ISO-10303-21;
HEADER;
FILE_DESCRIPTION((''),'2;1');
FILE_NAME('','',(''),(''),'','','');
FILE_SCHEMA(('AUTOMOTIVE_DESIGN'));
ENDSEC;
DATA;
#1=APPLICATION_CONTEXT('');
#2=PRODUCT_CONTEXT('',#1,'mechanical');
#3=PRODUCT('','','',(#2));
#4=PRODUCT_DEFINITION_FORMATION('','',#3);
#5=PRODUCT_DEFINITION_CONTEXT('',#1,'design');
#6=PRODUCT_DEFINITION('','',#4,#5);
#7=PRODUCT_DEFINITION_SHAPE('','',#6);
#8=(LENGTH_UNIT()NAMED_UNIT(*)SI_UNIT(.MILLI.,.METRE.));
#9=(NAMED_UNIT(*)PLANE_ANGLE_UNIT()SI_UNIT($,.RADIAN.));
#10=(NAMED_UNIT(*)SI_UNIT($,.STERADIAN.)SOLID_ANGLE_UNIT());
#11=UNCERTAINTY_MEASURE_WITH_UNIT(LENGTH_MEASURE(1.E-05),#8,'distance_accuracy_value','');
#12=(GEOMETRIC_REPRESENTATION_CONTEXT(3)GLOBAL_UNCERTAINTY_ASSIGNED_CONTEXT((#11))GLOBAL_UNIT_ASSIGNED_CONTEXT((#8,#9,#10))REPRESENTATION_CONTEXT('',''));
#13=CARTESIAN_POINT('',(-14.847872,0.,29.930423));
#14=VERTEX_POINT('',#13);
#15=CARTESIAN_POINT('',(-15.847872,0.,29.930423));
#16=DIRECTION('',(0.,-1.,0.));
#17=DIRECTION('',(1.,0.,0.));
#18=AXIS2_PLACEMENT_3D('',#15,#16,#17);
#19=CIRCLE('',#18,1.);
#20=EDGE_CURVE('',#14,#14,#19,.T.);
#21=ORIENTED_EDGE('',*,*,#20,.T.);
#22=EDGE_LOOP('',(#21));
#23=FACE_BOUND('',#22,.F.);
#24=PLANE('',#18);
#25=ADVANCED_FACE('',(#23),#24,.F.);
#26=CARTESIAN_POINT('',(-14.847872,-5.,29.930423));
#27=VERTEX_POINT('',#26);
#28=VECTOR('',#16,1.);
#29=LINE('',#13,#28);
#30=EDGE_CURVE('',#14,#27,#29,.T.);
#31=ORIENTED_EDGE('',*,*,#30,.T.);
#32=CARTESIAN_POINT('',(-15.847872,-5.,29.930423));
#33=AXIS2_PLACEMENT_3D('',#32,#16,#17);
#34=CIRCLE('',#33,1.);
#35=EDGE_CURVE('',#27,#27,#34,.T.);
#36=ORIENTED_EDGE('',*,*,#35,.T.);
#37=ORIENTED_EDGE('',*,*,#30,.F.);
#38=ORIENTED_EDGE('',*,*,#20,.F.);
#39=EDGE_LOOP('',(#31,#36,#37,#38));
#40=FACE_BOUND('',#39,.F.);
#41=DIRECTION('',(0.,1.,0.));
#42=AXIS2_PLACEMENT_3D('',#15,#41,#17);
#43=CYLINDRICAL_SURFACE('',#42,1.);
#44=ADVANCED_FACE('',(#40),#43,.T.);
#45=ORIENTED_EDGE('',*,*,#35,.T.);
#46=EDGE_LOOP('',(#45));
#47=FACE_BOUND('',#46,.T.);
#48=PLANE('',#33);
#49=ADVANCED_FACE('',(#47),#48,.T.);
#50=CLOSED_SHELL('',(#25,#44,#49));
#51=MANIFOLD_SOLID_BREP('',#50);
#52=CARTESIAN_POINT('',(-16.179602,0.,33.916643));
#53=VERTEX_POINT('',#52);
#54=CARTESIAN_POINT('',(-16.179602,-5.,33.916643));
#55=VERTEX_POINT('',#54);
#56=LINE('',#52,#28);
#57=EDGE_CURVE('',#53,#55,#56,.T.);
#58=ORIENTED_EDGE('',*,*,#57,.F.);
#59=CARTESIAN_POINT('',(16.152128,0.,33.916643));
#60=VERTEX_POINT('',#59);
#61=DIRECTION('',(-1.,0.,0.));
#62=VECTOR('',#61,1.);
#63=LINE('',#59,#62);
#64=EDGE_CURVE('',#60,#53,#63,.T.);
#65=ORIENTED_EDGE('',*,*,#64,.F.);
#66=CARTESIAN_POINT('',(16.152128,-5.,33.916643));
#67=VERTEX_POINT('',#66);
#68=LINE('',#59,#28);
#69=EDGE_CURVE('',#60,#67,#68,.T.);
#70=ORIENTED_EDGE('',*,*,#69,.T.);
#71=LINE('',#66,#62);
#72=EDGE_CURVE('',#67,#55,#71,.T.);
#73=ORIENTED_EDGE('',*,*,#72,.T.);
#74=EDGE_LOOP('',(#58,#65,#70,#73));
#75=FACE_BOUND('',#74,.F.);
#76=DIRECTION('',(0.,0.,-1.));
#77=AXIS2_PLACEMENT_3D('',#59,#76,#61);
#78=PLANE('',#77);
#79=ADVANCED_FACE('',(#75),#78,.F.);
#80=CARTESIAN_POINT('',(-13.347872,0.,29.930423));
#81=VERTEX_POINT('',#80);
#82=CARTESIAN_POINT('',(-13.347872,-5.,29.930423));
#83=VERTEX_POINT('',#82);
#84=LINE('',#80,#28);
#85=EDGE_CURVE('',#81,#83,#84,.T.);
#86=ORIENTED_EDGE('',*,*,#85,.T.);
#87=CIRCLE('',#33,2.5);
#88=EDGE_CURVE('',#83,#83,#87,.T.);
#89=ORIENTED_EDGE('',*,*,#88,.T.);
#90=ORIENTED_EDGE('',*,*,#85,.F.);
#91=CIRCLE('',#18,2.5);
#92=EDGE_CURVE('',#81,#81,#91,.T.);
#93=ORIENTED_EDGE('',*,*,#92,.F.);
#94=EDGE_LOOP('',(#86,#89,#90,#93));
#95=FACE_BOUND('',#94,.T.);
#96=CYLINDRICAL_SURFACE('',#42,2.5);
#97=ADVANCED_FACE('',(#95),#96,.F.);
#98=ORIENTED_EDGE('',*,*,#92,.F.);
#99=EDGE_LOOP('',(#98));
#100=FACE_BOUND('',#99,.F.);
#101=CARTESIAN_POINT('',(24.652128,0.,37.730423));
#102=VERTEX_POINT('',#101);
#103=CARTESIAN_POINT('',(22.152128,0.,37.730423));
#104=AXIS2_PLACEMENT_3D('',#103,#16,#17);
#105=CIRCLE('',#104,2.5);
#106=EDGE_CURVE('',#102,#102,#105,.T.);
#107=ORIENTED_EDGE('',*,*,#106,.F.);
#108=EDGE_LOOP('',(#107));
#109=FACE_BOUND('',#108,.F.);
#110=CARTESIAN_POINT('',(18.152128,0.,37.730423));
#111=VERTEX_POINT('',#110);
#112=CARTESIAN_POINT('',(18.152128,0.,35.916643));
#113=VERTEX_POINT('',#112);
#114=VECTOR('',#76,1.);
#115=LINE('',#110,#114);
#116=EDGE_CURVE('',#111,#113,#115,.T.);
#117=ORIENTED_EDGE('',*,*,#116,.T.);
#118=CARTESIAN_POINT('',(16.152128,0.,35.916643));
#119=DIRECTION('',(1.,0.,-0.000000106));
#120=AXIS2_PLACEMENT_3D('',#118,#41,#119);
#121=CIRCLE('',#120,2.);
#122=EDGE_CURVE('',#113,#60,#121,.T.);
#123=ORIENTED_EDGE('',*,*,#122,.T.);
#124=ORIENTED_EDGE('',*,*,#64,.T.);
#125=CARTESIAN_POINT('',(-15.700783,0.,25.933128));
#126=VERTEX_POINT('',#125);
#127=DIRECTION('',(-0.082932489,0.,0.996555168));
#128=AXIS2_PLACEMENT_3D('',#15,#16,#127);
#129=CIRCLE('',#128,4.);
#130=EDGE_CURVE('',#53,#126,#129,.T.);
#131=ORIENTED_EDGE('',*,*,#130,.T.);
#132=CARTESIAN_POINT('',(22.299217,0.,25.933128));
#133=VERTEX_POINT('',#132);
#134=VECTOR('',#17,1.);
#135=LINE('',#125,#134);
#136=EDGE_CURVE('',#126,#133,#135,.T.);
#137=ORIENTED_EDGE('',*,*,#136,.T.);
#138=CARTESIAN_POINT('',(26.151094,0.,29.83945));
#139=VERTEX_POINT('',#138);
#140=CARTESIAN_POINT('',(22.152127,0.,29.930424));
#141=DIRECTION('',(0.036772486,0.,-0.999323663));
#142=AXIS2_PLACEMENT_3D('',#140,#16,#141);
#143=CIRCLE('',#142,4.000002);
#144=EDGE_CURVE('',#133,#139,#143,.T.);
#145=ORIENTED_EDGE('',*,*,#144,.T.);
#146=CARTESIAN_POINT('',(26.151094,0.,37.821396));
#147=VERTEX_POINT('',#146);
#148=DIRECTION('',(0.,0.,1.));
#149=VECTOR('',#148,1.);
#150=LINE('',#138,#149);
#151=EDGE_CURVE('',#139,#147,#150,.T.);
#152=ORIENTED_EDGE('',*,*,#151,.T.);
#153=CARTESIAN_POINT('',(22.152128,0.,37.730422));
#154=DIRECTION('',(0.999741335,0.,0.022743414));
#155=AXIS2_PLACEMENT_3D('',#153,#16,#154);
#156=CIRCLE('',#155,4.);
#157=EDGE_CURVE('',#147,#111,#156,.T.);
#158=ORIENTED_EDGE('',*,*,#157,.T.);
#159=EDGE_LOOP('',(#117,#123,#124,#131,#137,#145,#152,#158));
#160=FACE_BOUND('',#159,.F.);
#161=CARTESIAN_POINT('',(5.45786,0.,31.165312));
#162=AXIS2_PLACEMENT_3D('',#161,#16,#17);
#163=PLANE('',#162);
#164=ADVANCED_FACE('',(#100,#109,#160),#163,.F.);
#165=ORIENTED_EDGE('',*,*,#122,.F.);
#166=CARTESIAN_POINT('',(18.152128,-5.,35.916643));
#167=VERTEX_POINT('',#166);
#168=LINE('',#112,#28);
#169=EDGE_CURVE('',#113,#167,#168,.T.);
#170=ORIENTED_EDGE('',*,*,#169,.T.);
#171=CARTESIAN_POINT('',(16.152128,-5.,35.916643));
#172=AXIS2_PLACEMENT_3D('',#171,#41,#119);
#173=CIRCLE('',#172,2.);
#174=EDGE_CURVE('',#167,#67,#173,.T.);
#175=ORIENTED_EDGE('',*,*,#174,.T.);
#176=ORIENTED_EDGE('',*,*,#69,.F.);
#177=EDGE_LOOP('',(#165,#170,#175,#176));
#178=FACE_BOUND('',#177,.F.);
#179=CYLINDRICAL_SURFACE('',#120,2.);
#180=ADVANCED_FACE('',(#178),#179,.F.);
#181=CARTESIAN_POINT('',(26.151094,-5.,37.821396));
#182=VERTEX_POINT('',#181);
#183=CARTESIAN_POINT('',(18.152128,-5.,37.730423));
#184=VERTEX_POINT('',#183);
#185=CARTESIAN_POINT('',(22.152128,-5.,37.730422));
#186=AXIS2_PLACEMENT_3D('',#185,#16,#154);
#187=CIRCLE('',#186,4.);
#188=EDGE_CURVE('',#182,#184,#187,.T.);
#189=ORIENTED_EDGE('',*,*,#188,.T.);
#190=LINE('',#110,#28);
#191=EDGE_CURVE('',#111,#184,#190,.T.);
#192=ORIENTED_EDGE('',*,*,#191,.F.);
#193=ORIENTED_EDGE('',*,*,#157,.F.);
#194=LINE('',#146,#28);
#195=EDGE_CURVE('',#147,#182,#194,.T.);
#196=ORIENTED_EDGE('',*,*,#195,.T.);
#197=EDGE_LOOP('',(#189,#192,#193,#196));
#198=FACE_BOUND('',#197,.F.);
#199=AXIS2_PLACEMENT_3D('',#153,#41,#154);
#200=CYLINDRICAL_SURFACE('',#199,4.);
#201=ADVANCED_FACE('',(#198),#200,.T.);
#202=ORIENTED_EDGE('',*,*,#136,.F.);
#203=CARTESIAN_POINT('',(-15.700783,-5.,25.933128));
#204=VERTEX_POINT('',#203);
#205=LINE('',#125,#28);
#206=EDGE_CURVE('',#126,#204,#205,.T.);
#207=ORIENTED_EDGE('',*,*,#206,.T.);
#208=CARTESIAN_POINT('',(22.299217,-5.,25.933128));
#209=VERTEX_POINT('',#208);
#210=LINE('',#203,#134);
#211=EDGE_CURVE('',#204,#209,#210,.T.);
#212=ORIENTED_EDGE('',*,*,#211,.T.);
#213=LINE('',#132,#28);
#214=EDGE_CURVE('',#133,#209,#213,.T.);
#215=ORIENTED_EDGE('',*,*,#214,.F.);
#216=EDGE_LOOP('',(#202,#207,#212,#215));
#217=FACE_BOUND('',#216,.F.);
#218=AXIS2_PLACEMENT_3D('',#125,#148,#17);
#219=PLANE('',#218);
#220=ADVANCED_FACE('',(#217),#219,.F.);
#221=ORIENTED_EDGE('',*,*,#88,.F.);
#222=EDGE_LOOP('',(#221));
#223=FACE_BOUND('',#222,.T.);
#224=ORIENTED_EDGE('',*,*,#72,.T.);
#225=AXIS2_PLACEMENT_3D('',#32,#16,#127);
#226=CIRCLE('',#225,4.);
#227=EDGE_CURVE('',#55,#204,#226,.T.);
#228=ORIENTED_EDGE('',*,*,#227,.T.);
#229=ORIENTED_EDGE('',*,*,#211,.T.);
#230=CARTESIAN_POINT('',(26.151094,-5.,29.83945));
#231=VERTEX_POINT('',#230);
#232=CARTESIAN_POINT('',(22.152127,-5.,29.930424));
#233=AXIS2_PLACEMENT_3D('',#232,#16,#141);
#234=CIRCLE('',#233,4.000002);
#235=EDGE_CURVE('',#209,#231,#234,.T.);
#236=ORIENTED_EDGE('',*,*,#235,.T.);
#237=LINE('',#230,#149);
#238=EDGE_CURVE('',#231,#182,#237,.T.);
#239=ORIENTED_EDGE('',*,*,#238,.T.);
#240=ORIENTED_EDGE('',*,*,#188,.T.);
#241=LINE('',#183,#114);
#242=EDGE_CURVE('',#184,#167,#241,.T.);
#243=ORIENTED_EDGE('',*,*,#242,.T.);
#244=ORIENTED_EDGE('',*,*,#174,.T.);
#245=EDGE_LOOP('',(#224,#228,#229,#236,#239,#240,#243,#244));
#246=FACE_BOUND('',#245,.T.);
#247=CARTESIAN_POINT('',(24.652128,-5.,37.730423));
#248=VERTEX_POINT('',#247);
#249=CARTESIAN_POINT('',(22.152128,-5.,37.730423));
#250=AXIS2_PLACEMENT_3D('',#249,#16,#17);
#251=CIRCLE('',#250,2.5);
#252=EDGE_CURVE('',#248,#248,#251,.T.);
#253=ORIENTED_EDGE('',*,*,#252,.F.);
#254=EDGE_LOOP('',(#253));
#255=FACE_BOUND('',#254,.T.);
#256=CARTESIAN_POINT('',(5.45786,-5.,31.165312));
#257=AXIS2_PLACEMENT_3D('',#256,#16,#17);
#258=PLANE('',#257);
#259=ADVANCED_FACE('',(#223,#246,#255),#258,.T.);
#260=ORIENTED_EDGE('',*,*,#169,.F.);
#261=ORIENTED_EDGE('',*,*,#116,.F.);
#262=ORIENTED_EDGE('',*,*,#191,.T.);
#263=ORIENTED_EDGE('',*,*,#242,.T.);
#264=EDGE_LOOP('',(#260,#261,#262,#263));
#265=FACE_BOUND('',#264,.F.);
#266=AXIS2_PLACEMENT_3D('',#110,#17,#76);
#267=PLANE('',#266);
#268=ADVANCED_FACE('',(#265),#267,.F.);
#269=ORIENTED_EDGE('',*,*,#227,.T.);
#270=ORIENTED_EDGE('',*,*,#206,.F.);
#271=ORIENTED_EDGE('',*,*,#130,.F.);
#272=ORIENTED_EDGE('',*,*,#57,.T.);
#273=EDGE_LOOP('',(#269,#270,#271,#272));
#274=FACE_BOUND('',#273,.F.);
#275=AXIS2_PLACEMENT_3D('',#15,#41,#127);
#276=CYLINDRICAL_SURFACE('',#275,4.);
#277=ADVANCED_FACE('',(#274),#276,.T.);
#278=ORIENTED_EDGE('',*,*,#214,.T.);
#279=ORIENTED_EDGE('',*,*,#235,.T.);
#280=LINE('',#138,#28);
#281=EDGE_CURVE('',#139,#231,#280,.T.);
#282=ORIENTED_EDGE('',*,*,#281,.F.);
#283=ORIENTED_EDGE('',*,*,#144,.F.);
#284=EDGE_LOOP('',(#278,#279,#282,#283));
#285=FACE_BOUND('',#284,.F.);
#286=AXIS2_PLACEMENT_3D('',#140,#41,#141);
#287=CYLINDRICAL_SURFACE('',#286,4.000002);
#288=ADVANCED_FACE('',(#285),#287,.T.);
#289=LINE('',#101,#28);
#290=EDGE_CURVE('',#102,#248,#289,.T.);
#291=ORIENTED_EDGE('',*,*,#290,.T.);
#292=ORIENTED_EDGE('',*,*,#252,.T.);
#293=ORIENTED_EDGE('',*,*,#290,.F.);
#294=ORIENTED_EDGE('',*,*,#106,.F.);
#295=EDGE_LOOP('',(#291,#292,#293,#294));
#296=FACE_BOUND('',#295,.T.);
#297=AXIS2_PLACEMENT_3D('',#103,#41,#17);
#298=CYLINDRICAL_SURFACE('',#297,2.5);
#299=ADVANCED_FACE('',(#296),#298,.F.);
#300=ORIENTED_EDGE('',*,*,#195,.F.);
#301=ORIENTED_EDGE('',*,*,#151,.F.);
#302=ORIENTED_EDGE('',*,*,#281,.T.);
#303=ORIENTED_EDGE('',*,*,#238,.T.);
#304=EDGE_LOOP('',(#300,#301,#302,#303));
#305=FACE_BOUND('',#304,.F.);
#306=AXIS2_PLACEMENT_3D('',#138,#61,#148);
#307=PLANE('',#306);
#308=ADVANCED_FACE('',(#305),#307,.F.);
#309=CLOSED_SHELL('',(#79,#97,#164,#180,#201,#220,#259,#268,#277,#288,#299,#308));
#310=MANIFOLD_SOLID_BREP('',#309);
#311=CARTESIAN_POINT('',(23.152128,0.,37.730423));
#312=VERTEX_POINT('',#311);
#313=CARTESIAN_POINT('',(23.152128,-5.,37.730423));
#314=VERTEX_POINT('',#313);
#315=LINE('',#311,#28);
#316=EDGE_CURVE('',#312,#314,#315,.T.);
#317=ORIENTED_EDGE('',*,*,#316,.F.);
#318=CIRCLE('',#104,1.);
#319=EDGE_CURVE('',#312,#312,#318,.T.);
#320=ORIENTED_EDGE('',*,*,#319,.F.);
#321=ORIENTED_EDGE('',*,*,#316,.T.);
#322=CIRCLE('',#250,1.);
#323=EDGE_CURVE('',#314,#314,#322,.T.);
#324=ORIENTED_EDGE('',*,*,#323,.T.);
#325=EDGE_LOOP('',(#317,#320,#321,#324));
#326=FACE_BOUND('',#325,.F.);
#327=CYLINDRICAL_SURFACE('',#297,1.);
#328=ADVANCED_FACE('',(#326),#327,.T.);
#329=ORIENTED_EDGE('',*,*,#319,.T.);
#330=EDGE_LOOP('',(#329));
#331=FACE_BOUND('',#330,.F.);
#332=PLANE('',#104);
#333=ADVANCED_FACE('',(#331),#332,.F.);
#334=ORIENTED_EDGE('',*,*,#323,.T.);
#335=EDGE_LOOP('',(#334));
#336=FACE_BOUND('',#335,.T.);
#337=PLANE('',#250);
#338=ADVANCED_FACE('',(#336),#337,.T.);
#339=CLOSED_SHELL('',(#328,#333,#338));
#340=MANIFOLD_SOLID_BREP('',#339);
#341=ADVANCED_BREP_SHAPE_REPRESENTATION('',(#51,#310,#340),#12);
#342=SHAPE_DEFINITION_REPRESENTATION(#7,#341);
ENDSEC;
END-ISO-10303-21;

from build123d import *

# Parameters (mm, degrees)
F0_R     = 2.5
F1_DEPTH = 5
F0_R_2   = 1
F2_DEPTH = 5


with BuildPart() as f1:
    # F0 (on Front) → F1 (new body)
    with BuildSketch(Plane.XZ):
        with BuildLine():
            Line((16.152128, 33.916643), (-15.516141, 33.916643))
            Line((-15.516141, 33.916643), (-16.179602, 33.916643))
            ThreePointArc((-16.179602, 33.916643), (-19.840697, 29.690949), (-15.700783, 25.933128))
            Line((-15.700783, 25.933128), (22.005039, 25.933128))
            Line((22.005039, 25.933128), (22.299217, 25.933128))
            ThreePointArc((22.299217, 25.933128), (25.000334, 27.121914), (26.151094, 29.83945))
            Line((26.151094, 29.83945), (26.151094, 30.021396))
            Line((26.151094, 30.021396), (26.151094, 37.63945))
            Line((26.151094, 37.63945), (26.151094, 37.821396))
            ThreePointArc((26.151094, 37.821396), (22.106639, 41.730164), (18.152128, 37.730423))
            Line((18.152128, 37.730423), (18.152128, 35.916643))
            ThreePointArc((18.152128, 35.916643), (17.566342, 34.50243), (16.152128, 33.916643))
        make_face()
        with Locations((-15.847872, 29.930423)):
            Circle(F0_R, mode=Mode.SUBTRACT)
        with Locations((22.152128, 37.730423)):
            Circle(F0_R, mode=Mode.SUBTRACT)
    extrude(amount=F1_DEPTH)


with BuildPart() as f2:
    # F0 (on Front) → F2 (new body)
    with BuildSketch(Plane.XZ):
        with Locations((-15.847872, 29.930423)):
            Circle(F0_R_2)
        with Locations((22.152128, 37.730423)):
            Circle(F0_R_2)
    extrude(amount=F2_DEPTH)


solid = Compound([f1.part, f2.part])
